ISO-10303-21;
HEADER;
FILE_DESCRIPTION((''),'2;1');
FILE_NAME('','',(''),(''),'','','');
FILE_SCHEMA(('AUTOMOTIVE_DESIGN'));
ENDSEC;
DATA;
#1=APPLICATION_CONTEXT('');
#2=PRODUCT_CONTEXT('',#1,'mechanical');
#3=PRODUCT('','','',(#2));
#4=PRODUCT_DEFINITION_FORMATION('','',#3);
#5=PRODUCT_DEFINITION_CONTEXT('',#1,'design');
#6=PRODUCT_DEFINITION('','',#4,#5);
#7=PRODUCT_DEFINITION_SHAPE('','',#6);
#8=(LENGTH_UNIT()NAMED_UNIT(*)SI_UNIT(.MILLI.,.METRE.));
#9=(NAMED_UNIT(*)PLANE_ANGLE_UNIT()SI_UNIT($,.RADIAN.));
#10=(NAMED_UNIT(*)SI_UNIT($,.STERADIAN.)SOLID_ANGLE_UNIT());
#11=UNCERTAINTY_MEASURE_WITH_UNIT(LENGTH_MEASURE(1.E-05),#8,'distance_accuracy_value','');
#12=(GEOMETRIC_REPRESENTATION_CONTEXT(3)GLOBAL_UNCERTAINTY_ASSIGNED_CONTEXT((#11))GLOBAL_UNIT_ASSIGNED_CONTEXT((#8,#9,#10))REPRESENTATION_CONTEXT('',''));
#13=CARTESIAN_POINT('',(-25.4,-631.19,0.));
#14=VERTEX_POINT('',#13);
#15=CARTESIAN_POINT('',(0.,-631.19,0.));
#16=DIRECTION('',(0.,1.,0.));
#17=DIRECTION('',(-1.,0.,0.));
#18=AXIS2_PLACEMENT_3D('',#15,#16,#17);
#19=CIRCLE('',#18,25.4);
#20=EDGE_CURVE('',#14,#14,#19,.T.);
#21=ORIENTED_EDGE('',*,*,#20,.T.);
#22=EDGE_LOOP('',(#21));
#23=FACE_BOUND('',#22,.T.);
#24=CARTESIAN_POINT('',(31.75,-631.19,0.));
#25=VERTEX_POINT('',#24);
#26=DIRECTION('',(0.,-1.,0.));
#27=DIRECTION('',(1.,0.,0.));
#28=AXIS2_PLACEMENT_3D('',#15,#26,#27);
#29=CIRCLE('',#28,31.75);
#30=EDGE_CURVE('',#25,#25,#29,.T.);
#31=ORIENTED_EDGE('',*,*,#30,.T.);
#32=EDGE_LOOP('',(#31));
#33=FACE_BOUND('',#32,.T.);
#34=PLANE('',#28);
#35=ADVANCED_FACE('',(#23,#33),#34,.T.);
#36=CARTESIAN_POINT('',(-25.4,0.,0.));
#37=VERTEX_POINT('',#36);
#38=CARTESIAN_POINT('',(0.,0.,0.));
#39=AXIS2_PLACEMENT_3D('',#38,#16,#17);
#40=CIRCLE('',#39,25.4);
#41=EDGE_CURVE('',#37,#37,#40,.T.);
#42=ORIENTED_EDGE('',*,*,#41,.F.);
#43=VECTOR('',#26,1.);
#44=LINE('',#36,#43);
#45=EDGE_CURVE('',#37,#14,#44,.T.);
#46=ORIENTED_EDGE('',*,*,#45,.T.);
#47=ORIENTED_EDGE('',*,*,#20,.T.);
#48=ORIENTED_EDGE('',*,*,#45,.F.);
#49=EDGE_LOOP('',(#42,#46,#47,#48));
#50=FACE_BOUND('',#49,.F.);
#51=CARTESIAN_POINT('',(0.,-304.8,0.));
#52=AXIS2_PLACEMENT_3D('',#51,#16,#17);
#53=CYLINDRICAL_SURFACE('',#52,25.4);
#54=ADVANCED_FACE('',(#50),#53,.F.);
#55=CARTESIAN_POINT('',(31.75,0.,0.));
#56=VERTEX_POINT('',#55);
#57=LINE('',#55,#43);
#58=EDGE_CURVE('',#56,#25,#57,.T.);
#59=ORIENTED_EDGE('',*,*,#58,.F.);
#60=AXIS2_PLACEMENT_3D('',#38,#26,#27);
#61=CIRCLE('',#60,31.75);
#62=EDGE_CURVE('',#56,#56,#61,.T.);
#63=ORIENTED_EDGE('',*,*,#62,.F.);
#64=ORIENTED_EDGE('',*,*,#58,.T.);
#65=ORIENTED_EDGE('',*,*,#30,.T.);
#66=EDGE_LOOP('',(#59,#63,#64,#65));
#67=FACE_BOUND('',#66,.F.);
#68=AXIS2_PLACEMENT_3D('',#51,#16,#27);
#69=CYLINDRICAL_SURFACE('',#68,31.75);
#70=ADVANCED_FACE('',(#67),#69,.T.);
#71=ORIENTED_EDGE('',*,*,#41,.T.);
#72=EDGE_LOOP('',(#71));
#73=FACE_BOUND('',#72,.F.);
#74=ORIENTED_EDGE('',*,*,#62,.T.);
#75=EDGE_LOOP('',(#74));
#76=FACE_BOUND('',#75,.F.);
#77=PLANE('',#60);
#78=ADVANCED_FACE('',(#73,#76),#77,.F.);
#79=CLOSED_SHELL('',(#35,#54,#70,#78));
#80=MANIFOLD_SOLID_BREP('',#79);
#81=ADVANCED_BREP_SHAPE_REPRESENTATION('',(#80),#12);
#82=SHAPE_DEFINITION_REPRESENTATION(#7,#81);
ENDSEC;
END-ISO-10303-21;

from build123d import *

# Parameters (mm, degrees)
F0_R     = 31.75
F1_DEPTH = 304.8
F2_R     = 25.4
F3_DEPTH = 304.8
F4_DEPTH = 326.39


with BuildPart() as f1:
    # F0 (on Front) → F1 (new body)
    with BuildSketch(Plane.XZ):
        Circle(F0_R)
    extrude(amount=F1_DEPTH)

    # F2 (on face) → F3 (cut)
    with BuildSketch(Plane(origin=(0, 0, 0), x_dir=(-1, 0, 0), z_dir=(0, 1, 0))):
        Circle(F2_R)
    extrude(amount=-F3_DEPTH, mode=Mode.SUBTRACT)

    # F4 (add): a face of the model
    f4_faces = [f1.faces().sort_by_distance(p)[0] for p in [
        (-30.8519743879, -304.8, 0),
    ]]
    extrude(f4_faces, amount=F4_DEPTH)


solid = f1.part
